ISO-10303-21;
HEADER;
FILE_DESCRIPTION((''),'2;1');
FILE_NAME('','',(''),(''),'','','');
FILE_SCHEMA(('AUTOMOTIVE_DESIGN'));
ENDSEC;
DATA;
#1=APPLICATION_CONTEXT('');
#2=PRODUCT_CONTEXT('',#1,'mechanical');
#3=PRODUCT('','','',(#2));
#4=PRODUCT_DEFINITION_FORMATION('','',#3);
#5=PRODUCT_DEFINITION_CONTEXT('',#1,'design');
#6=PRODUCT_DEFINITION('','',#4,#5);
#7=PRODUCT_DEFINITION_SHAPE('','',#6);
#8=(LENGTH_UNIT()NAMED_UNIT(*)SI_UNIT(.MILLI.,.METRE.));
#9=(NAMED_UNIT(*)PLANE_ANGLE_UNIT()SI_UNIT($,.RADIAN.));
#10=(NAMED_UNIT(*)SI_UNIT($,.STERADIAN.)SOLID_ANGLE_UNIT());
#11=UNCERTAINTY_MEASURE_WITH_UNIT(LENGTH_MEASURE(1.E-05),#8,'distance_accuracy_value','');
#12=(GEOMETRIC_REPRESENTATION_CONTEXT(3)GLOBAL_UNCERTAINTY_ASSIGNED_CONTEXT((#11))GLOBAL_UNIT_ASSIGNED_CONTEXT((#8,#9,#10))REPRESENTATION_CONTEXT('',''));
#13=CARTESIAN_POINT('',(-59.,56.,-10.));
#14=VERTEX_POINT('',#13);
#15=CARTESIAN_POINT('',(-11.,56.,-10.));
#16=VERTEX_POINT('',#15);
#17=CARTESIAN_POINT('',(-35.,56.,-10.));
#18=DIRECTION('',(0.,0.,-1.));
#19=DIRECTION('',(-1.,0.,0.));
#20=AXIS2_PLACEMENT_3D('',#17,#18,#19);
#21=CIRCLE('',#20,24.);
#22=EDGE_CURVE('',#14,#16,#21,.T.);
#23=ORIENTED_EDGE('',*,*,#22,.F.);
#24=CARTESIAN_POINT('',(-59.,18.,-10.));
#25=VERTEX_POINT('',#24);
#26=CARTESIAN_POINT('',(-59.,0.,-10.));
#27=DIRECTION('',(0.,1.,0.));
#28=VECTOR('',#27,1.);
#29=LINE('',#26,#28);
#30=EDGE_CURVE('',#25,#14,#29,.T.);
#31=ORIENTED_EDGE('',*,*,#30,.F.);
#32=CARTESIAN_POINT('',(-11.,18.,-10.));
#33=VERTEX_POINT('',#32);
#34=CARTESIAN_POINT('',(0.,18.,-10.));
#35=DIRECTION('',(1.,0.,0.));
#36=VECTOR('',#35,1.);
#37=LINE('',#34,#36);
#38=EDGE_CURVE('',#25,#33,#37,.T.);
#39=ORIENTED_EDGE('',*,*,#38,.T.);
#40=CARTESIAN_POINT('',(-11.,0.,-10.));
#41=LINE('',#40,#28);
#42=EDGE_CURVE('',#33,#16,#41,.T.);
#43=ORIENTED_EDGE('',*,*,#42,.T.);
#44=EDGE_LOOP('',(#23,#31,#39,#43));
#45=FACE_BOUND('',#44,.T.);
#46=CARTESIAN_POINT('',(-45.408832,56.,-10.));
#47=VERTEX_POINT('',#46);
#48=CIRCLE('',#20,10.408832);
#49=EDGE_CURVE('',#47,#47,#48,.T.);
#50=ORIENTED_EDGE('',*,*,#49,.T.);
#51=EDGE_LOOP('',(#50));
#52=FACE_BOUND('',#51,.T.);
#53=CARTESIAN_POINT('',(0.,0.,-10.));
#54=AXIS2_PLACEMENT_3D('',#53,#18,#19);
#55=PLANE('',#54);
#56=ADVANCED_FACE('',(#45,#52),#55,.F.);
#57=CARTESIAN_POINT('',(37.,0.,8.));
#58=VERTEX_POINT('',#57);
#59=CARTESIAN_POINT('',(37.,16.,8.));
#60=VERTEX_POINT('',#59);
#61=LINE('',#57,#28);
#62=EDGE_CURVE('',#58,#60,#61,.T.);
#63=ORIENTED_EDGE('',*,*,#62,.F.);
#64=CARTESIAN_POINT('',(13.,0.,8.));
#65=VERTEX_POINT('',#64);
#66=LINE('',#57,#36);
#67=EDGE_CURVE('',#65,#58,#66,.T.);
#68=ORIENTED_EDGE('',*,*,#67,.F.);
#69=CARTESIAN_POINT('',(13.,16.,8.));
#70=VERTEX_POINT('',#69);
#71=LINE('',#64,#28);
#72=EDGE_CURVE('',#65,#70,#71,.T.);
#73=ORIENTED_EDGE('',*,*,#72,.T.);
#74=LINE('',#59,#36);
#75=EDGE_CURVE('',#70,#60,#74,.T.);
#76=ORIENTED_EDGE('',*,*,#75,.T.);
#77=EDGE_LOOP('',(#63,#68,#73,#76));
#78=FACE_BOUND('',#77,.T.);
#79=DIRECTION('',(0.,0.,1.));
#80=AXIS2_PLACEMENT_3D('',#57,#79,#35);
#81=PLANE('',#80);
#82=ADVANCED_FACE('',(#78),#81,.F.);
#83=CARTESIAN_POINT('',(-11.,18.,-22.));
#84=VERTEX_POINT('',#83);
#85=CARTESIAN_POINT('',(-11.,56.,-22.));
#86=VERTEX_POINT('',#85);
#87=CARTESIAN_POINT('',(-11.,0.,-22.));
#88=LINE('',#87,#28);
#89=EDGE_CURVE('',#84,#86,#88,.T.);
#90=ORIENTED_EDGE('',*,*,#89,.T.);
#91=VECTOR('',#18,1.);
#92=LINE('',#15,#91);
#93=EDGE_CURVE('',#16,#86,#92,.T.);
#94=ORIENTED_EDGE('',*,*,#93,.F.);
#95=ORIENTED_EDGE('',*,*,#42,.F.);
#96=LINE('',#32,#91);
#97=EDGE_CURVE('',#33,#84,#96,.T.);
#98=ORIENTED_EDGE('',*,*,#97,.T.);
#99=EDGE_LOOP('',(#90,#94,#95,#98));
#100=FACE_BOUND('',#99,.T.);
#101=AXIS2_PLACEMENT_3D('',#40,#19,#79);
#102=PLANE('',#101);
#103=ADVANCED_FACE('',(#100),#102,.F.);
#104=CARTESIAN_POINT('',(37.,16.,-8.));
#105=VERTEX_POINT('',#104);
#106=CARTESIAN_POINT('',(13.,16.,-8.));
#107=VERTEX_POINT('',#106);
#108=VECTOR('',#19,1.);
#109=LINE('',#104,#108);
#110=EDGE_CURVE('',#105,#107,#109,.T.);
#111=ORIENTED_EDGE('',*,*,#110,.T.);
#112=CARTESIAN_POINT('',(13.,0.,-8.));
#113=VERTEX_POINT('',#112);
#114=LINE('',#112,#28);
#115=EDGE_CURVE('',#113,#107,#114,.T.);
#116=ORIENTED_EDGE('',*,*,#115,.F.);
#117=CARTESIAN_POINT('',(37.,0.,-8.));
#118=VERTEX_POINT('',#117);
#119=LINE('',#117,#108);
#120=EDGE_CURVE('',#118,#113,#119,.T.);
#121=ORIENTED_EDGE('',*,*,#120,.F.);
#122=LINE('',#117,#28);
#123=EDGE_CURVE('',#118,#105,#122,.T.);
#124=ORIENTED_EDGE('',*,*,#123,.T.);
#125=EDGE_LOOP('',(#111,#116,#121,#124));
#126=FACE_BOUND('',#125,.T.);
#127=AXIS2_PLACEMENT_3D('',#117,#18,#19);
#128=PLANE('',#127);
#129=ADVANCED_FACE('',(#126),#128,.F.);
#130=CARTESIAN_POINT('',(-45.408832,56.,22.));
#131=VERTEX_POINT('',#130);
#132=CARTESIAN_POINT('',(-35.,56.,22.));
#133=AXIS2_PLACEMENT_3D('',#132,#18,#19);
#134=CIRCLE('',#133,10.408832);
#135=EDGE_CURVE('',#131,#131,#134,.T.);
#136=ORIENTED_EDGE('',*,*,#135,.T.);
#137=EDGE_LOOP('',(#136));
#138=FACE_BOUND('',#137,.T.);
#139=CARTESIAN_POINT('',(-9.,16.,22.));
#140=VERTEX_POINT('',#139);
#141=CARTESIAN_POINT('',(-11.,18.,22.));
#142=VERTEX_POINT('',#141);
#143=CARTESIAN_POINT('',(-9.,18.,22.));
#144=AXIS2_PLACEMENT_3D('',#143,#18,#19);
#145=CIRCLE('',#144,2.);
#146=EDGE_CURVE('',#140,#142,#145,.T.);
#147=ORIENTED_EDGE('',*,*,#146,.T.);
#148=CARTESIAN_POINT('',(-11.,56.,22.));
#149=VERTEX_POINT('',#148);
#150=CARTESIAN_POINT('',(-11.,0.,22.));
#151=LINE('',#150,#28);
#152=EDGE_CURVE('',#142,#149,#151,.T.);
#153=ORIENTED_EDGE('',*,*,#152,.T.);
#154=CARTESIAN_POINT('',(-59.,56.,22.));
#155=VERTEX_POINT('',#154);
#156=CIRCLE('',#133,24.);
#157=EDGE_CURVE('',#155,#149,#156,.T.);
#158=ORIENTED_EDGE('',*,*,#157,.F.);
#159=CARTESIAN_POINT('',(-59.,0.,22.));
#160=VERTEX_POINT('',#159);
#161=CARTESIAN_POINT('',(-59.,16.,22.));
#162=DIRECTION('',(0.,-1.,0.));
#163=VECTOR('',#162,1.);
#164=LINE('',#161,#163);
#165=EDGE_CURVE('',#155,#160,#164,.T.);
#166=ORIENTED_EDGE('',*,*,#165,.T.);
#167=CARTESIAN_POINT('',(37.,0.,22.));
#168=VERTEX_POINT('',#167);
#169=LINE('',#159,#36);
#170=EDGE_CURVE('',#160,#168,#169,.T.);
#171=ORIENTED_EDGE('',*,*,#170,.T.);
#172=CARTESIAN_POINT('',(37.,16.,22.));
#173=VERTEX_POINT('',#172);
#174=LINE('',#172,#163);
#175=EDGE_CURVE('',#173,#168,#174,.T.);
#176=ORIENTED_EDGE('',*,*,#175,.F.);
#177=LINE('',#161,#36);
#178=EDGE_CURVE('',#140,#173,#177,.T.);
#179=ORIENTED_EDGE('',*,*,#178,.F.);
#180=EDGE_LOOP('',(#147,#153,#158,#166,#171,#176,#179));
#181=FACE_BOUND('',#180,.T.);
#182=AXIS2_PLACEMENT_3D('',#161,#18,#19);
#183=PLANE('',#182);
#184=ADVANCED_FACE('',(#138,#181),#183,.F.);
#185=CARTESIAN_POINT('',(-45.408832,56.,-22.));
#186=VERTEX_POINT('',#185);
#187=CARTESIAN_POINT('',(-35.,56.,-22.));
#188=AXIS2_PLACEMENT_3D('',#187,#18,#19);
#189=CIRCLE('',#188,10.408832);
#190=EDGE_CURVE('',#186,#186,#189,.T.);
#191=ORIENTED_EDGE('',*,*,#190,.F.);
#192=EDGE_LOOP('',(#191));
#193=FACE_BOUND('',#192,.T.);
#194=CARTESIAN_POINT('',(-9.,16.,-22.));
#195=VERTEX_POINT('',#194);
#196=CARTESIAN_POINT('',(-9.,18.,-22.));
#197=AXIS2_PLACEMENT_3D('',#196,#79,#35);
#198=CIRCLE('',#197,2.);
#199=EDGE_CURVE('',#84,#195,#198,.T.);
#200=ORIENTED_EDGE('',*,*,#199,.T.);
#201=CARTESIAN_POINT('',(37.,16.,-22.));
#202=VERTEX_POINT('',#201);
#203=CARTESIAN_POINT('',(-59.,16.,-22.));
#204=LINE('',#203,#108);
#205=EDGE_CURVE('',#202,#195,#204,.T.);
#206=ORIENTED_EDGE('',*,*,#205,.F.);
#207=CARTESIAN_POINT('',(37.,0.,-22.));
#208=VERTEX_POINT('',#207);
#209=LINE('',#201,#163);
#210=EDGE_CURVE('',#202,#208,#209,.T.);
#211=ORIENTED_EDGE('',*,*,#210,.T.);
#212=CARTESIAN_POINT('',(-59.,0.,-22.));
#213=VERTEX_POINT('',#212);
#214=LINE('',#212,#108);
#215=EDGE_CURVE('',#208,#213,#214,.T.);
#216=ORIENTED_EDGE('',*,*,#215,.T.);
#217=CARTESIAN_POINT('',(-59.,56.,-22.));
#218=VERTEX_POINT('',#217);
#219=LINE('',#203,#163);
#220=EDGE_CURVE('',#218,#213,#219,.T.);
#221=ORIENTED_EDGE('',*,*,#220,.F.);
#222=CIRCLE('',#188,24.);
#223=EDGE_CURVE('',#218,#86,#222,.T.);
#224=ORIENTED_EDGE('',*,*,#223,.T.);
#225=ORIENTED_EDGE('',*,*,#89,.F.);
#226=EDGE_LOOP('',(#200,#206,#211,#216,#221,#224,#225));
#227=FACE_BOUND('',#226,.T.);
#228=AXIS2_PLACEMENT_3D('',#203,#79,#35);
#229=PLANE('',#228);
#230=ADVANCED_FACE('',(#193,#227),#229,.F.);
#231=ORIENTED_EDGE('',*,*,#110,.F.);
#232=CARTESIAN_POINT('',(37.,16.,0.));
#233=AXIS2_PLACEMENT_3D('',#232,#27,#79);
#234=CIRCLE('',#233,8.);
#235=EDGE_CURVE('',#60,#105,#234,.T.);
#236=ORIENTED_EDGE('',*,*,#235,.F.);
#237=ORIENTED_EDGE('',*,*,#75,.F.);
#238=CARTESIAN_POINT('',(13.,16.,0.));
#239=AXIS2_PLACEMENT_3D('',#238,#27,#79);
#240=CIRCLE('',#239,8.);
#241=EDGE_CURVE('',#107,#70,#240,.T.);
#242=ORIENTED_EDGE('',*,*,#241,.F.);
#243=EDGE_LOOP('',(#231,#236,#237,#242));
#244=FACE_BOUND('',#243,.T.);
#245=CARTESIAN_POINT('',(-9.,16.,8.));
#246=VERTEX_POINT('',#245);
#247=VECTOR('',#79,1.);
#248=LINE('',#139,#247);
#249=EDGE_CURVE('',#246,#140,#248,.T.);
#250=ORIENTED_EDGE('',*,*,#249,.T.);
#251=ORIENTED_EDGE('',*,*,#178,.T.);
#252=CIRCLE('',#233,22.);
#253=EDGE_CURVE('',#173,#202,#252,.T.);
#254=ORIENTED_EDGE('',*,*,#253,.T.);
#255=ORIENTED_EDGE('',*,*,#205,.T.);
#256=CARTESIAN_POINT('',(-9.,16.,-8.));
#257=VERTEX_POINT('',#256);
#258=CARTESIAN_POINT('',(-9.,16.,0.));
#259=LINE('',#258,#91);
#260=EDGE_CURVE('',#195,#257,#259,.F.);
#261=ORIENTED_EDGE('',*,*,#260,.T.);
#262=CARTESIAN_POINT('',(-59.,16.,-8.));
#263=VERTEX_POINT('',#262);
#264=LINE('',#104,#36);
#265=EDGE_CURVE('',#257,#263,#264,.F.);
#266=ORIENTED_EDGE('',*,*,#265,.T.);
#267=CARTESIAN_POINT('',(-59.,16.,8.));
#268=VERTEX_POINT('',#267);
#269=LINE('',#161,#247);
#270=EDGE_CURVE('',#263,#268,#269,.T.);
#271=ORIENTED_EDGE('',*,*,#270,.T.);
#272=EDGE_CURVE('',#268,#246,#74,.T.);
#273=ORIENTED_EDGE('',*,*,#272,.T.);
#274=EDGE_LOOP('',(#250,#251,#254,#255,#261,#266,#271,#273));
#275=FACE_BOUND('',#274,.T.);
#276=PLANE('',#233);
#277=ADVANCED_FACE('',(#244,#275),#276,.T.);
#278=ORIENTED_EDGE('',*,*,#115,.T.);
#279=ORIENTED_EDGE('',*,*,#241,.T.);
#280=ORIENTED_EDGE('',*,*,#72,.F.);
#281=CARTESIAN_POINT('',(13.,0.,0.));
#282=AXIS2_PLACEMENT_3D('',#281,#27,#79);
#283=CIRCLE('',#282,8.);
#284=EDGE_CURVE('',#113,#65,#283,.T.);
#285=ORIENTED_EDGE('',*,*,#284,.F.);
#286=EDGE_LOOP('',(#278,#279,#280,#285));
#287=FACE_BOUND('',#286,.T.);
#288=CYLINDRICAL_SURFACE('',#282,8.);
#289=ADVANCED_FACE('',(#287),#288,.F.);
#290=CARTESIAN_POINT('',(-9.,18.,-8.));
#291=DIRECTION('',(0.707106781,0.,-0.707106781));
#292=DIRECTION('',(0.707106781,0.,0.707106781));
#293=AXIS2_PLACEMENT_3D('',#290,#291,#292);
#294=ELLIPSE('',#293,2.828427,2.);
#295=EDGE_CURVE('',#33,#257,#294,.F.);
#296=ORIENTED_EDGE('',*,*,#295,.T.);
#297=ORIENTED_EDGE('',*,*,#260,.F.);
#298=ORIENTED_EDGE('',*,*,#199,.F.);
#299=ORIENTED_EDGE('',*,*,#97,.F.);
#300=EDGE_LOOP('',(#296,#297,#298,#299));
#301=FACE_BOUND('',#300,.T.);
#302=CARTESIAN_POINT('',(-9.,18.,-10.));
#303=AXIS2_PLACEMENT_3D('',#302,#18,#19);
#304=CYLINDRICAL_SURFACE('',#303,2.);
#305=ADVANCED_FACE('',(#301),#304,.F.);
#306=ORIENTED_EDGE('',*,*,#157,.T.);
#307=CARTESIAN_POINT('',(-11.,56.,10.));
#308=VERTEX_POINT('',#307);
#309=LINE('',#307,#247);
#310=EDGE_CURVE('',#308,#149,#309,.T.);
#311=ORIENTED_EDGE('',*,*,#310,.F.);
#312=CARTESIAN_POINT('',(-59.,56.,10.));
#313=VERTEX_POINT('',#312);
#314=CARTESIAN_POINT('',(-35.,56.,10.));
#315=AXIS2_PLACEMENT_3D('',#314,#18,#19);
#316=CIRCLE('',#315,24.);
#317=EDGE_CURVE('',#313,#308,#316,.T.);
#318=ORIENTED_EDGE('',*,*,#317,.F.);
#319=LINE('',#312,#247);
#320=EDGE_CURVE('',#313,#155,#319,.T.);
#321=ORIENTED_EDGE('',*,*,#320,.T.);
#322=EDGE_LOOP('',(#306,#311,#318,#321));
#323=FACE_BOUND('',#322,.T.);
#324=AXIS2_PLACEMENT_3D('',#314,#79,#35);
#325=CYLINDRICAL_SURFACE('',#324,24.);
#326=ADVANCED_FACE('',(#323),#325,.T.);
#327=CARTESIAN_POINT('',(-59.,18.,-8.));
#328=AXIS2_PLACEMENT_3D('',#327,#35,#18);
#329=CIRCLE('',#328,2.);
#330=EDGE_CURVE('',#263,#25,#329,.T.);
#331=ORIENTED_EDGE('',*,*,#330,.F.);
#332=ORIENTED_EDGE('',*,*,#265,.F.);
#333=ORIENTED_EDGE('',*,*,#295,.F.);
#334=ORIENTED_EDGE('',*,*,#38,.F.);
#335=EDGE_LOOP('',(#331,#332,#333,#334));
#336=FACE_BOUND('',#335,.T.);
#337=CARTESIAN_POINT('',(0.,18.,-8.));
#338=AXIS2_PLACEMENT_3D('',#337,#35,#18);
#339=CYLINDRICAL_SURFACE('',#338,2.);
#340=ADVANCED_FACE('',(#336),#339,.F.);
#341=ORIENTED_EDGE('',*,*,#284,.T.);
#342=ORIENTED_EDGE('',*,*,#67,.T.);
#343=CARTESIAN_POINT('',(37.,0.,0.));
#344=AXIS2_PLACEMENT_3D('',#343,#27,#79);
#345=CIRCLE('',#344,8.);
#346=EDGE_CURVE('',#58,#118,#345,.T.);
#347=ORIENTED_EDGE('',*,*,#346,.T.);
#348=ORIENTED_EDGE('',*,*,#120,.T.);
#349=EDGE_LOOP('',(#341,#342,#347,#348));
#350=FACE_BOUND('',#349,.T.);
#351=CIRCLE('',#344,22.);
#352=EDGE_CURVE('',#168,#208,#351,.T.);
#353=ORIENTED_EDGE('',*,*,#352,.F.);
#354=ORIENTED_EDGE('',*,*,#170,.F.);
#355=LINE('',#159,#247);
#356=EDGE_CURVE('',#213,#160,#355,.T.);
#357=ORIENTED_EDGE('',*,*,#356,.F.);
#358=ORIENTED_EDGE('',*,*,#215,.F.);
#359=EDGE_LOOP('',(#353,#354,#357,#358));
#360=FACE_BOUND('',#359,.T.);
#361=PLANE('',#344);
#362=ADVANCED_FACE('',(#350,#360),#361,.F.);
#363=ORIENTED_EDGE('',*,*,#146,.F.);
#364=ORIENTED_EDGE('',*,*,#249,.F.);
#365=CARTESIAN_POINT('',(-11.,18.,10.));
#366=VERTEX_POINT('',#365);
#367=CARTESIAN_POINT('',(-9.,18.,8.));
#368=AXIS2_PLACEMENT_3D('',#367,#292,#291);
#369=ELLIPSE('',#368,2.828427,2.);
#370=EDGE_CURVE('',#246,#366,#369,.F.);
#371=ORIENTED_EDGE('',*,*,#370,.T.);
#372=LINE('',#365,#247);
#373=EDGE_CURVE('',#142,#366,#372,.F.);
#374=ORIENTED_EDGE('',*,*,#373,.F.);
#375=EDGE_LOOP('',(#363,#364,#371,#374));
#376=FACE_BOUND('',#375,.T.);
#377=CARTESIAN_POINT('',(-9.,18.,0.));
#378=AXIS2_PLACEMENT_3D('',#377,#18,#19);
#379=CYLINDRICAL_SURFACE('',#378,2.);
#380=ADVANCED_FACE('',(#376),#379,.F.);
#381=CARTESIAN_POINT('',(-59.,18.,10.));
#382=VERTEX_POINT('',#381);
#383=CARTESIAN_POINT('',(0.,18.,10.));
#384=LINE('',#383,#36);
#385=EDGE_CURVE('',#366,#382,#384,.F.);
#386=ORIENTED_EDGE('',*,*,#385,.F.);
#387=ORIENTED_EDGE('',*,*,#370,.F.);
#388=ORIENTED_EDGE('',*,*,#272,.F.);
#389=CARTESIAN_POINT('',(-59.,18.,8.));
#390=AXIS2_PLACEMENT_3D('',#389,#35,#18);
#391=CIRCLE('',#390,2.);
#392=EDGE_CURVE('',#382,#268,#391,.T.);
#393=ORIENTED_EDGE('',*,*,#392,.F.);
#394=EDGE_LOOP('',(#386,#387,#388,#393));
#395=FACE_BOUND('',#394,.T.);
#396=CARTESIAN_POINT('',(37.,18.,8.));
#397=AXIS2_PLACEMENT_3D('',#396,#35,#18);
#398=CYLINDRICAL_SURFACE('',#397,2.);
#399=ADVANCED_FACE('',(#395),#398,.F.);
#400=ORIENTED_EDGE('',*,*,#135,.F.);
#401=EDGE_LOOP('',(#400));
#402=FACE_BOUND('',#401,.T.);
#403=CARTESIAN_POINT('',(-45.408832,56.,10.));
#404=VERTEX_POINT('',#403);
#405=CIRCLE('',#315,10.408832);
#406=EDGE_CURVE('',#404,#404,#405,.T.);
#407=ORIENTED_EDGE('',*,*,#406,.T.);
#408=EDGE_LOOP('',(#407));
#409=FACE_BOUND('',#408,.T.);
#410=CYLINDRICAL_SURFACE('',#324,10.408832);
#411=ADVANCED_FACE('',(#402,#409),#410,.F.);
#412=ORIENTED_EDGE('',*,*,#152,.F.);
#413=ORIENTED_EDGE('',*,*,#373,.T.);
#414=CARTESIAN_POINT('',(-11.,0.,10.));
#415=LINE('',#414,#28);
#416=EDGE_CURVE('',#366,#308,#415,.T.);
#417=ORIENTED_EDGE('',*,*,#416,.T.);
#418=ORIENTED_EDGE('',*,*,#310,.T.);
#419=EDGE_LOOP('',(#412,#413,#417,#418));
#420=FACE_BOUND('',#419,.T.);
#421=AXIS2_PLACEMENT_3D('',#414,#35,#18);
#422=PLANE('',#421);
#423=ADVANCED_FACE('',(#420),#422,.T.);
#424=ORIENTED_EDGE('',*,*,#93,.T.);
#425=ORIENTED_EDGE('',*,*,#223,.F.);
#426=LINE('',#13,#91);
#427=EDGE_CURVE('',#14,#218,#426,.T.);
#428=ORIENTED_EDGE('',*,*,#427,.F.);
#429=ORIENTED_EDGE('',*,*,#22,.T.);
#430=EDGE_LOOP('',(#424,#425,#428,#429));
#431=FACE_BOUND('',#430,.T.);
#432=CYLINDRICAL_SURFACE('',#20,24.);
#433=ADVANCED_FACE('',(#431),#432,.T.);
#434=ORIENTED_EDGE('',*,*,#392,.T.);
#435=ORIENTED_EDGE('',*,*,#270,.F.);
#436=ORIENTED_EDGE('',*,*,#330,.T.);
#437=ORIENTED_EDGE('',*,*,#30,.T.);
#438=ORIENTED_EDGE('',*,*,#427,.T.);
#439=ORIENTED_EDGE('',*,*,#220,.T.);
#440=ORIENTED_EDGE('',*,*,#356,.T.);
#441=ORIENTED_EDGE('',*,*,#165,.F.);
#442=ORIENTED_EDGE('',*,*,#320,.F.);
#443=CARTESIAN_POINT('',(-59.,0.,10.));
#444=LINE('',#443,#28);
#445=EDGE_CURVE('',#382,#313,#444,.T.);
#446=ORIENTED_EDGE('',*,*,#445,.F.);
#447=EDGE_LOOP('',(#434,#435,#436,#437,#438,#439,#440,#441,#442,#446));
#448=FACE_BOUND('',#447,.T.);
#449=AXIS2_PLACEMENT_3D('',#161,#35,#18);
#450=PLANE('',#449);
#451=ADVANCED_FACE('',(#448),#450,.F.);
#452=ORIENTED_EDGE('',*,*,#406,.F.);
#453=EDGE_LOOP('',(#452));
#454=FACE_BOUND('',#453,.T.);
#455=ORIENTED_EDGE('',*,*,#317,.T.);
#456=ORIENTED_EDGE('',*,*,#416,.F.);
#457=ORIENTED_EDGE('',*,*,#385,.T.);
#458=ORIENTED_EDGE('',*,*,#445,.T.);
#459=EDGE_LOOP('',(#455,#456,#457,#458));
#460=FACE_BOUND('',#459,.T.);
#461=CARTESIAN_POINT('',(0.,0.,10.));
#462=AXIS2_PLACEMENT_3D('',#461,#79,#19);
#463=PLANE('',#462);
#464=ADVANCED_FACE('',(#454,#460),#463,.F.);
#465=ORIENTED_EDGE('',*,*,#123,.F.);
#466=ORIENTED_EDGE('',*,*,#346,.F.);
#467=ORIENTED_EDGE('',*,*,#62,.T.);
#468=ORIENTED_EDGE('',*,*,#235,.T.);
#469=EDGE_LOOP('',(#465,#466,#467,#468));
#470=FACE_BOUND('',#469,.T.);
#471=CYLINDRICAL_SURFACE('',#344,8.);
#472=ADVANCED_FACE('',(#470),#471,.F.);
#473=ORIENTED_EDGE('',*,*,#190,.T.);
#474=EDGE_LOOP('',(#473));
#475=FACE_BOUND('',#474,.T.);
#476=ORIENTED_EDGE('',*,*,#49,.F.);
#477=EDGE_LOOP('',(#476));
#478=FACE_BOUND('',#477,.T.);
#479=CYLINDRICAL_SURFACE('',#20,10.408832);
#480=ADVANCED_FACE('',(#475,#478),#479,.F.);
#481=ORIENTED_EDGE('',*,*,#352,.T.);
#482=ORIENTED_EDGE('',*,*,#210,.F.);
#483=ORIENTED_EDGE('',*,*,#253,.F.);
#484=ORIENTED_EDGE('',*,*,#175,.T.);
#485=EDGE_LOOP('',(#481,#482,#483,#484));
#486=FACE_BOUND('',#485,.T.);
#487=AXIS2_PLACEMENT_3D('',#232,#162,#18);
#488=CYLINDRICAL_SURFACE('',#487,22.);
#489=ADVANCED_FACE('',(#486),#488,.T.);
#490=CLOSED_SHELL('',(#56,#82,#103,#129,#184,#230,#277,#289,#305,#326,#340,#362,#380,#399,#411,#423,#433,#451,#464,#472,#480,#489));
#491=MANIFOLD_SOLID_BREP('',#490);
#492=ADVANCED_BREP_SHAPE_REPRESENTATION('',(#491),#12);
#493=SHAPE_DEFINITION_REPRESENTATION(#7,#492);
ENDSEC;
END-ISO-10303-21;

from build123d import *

# Parameters (mm, degrees)
BOSS_EXTRUDE1_DEPTH = 16
CUT_EXTRUDE2_DEPTH  = 16
BOSS_EXTRUDE2_DEPTH = 12
FILLET3_R           = 2


with BuildPart() as part:
    # Sketch4 → Boss-Extrude1 (new body)
    with BuildSketch(Plane(origin=(0, 0, 0), x_dir=(1, 0, 0), z_dir=(0, 1, 0))):
        with BuildLine():
            Line((-59, -22), (37, -22))
            ThreePointArc((37, -22), (59, 0), (37, 22))
            Line((37, 22), (-59, 22))
            Line((-59, 22), (-59, -22))
        make_face()
    extrude(amount=BOSS_EXTRUDE1_DEPTH)

    # Sketch6 → Cut-Extrude2 (cut)
    with BuildSketch(Plane(origin=(0, 16, 0), x_dir=(1, 0, 0), z_dir=(0, 1, 0))):
        with BuildLine():
            Line((37, -8), (13, -8))
            ThreePointArc((13, -8), (5, 0), (13, 8))
            Line((13, 8), (37, 8))
            ThreePointArc((37, 8), (45, 0), (37, -8))
        make_face()
    extrude(amount=-CUT_EXTRUDE2_DEPTH, mode=Mode.SUBTRACT)

    # Sketch9 → Boss-Extrude2 (add)
    with BuildSketch(Plane(origin=(0, 0, -22), x_dir=(-1, 0, 0), z_dir=(0, 0, -1))):
        with BuildLine():
            Line((11, 16), (59, 16))
            Line((59, 16), (59, 56))
            ThreePointArc((59, 56), (35, 32), (11, 56))
            Line((11, 56), (11, 16))
        make_face()
        with BuildLine():
            ThreePointArc((11, 56), (35, 32), (59, 56))
            Line((59, 56), (45.408831702, 56))
            ThreePointArc((45.408831702, 56), (35, 45.591168298), (24.591168298, 56))
            Line((24.591168298, 56), (11, 56))
        make_face()
        with BuildLine():
            Line((45.408831702, 56), (59, 56))
            ThreePointArc((59, 56), (35, 80), (11, 56))
            Line((11, 56), (24.591168298, 56))
            ThreePointArc((24.591168298, 56), (35, 66.408831702), (45.408831702, 56))
        make_face()
    boss_extrude2 = extrude(amount=-BOSS_EXTRUDE2_DEPTH)

    # Mirror5: Boss-Extrude2 across plane
    add(boss_extrude2.mirror(Plane.XY))

    # Fillet3
    fillet3_edges = [part.edges().sort_by_distance(p)[0] for p in [
        (-11, 16, -16),
        (-35, 16, -10),
        (-35, 16, 10),
        (-11, 16, 16),
    ]]
    fillet(fillet3_edges, radius=FILLET3_R)


solid = part.part
